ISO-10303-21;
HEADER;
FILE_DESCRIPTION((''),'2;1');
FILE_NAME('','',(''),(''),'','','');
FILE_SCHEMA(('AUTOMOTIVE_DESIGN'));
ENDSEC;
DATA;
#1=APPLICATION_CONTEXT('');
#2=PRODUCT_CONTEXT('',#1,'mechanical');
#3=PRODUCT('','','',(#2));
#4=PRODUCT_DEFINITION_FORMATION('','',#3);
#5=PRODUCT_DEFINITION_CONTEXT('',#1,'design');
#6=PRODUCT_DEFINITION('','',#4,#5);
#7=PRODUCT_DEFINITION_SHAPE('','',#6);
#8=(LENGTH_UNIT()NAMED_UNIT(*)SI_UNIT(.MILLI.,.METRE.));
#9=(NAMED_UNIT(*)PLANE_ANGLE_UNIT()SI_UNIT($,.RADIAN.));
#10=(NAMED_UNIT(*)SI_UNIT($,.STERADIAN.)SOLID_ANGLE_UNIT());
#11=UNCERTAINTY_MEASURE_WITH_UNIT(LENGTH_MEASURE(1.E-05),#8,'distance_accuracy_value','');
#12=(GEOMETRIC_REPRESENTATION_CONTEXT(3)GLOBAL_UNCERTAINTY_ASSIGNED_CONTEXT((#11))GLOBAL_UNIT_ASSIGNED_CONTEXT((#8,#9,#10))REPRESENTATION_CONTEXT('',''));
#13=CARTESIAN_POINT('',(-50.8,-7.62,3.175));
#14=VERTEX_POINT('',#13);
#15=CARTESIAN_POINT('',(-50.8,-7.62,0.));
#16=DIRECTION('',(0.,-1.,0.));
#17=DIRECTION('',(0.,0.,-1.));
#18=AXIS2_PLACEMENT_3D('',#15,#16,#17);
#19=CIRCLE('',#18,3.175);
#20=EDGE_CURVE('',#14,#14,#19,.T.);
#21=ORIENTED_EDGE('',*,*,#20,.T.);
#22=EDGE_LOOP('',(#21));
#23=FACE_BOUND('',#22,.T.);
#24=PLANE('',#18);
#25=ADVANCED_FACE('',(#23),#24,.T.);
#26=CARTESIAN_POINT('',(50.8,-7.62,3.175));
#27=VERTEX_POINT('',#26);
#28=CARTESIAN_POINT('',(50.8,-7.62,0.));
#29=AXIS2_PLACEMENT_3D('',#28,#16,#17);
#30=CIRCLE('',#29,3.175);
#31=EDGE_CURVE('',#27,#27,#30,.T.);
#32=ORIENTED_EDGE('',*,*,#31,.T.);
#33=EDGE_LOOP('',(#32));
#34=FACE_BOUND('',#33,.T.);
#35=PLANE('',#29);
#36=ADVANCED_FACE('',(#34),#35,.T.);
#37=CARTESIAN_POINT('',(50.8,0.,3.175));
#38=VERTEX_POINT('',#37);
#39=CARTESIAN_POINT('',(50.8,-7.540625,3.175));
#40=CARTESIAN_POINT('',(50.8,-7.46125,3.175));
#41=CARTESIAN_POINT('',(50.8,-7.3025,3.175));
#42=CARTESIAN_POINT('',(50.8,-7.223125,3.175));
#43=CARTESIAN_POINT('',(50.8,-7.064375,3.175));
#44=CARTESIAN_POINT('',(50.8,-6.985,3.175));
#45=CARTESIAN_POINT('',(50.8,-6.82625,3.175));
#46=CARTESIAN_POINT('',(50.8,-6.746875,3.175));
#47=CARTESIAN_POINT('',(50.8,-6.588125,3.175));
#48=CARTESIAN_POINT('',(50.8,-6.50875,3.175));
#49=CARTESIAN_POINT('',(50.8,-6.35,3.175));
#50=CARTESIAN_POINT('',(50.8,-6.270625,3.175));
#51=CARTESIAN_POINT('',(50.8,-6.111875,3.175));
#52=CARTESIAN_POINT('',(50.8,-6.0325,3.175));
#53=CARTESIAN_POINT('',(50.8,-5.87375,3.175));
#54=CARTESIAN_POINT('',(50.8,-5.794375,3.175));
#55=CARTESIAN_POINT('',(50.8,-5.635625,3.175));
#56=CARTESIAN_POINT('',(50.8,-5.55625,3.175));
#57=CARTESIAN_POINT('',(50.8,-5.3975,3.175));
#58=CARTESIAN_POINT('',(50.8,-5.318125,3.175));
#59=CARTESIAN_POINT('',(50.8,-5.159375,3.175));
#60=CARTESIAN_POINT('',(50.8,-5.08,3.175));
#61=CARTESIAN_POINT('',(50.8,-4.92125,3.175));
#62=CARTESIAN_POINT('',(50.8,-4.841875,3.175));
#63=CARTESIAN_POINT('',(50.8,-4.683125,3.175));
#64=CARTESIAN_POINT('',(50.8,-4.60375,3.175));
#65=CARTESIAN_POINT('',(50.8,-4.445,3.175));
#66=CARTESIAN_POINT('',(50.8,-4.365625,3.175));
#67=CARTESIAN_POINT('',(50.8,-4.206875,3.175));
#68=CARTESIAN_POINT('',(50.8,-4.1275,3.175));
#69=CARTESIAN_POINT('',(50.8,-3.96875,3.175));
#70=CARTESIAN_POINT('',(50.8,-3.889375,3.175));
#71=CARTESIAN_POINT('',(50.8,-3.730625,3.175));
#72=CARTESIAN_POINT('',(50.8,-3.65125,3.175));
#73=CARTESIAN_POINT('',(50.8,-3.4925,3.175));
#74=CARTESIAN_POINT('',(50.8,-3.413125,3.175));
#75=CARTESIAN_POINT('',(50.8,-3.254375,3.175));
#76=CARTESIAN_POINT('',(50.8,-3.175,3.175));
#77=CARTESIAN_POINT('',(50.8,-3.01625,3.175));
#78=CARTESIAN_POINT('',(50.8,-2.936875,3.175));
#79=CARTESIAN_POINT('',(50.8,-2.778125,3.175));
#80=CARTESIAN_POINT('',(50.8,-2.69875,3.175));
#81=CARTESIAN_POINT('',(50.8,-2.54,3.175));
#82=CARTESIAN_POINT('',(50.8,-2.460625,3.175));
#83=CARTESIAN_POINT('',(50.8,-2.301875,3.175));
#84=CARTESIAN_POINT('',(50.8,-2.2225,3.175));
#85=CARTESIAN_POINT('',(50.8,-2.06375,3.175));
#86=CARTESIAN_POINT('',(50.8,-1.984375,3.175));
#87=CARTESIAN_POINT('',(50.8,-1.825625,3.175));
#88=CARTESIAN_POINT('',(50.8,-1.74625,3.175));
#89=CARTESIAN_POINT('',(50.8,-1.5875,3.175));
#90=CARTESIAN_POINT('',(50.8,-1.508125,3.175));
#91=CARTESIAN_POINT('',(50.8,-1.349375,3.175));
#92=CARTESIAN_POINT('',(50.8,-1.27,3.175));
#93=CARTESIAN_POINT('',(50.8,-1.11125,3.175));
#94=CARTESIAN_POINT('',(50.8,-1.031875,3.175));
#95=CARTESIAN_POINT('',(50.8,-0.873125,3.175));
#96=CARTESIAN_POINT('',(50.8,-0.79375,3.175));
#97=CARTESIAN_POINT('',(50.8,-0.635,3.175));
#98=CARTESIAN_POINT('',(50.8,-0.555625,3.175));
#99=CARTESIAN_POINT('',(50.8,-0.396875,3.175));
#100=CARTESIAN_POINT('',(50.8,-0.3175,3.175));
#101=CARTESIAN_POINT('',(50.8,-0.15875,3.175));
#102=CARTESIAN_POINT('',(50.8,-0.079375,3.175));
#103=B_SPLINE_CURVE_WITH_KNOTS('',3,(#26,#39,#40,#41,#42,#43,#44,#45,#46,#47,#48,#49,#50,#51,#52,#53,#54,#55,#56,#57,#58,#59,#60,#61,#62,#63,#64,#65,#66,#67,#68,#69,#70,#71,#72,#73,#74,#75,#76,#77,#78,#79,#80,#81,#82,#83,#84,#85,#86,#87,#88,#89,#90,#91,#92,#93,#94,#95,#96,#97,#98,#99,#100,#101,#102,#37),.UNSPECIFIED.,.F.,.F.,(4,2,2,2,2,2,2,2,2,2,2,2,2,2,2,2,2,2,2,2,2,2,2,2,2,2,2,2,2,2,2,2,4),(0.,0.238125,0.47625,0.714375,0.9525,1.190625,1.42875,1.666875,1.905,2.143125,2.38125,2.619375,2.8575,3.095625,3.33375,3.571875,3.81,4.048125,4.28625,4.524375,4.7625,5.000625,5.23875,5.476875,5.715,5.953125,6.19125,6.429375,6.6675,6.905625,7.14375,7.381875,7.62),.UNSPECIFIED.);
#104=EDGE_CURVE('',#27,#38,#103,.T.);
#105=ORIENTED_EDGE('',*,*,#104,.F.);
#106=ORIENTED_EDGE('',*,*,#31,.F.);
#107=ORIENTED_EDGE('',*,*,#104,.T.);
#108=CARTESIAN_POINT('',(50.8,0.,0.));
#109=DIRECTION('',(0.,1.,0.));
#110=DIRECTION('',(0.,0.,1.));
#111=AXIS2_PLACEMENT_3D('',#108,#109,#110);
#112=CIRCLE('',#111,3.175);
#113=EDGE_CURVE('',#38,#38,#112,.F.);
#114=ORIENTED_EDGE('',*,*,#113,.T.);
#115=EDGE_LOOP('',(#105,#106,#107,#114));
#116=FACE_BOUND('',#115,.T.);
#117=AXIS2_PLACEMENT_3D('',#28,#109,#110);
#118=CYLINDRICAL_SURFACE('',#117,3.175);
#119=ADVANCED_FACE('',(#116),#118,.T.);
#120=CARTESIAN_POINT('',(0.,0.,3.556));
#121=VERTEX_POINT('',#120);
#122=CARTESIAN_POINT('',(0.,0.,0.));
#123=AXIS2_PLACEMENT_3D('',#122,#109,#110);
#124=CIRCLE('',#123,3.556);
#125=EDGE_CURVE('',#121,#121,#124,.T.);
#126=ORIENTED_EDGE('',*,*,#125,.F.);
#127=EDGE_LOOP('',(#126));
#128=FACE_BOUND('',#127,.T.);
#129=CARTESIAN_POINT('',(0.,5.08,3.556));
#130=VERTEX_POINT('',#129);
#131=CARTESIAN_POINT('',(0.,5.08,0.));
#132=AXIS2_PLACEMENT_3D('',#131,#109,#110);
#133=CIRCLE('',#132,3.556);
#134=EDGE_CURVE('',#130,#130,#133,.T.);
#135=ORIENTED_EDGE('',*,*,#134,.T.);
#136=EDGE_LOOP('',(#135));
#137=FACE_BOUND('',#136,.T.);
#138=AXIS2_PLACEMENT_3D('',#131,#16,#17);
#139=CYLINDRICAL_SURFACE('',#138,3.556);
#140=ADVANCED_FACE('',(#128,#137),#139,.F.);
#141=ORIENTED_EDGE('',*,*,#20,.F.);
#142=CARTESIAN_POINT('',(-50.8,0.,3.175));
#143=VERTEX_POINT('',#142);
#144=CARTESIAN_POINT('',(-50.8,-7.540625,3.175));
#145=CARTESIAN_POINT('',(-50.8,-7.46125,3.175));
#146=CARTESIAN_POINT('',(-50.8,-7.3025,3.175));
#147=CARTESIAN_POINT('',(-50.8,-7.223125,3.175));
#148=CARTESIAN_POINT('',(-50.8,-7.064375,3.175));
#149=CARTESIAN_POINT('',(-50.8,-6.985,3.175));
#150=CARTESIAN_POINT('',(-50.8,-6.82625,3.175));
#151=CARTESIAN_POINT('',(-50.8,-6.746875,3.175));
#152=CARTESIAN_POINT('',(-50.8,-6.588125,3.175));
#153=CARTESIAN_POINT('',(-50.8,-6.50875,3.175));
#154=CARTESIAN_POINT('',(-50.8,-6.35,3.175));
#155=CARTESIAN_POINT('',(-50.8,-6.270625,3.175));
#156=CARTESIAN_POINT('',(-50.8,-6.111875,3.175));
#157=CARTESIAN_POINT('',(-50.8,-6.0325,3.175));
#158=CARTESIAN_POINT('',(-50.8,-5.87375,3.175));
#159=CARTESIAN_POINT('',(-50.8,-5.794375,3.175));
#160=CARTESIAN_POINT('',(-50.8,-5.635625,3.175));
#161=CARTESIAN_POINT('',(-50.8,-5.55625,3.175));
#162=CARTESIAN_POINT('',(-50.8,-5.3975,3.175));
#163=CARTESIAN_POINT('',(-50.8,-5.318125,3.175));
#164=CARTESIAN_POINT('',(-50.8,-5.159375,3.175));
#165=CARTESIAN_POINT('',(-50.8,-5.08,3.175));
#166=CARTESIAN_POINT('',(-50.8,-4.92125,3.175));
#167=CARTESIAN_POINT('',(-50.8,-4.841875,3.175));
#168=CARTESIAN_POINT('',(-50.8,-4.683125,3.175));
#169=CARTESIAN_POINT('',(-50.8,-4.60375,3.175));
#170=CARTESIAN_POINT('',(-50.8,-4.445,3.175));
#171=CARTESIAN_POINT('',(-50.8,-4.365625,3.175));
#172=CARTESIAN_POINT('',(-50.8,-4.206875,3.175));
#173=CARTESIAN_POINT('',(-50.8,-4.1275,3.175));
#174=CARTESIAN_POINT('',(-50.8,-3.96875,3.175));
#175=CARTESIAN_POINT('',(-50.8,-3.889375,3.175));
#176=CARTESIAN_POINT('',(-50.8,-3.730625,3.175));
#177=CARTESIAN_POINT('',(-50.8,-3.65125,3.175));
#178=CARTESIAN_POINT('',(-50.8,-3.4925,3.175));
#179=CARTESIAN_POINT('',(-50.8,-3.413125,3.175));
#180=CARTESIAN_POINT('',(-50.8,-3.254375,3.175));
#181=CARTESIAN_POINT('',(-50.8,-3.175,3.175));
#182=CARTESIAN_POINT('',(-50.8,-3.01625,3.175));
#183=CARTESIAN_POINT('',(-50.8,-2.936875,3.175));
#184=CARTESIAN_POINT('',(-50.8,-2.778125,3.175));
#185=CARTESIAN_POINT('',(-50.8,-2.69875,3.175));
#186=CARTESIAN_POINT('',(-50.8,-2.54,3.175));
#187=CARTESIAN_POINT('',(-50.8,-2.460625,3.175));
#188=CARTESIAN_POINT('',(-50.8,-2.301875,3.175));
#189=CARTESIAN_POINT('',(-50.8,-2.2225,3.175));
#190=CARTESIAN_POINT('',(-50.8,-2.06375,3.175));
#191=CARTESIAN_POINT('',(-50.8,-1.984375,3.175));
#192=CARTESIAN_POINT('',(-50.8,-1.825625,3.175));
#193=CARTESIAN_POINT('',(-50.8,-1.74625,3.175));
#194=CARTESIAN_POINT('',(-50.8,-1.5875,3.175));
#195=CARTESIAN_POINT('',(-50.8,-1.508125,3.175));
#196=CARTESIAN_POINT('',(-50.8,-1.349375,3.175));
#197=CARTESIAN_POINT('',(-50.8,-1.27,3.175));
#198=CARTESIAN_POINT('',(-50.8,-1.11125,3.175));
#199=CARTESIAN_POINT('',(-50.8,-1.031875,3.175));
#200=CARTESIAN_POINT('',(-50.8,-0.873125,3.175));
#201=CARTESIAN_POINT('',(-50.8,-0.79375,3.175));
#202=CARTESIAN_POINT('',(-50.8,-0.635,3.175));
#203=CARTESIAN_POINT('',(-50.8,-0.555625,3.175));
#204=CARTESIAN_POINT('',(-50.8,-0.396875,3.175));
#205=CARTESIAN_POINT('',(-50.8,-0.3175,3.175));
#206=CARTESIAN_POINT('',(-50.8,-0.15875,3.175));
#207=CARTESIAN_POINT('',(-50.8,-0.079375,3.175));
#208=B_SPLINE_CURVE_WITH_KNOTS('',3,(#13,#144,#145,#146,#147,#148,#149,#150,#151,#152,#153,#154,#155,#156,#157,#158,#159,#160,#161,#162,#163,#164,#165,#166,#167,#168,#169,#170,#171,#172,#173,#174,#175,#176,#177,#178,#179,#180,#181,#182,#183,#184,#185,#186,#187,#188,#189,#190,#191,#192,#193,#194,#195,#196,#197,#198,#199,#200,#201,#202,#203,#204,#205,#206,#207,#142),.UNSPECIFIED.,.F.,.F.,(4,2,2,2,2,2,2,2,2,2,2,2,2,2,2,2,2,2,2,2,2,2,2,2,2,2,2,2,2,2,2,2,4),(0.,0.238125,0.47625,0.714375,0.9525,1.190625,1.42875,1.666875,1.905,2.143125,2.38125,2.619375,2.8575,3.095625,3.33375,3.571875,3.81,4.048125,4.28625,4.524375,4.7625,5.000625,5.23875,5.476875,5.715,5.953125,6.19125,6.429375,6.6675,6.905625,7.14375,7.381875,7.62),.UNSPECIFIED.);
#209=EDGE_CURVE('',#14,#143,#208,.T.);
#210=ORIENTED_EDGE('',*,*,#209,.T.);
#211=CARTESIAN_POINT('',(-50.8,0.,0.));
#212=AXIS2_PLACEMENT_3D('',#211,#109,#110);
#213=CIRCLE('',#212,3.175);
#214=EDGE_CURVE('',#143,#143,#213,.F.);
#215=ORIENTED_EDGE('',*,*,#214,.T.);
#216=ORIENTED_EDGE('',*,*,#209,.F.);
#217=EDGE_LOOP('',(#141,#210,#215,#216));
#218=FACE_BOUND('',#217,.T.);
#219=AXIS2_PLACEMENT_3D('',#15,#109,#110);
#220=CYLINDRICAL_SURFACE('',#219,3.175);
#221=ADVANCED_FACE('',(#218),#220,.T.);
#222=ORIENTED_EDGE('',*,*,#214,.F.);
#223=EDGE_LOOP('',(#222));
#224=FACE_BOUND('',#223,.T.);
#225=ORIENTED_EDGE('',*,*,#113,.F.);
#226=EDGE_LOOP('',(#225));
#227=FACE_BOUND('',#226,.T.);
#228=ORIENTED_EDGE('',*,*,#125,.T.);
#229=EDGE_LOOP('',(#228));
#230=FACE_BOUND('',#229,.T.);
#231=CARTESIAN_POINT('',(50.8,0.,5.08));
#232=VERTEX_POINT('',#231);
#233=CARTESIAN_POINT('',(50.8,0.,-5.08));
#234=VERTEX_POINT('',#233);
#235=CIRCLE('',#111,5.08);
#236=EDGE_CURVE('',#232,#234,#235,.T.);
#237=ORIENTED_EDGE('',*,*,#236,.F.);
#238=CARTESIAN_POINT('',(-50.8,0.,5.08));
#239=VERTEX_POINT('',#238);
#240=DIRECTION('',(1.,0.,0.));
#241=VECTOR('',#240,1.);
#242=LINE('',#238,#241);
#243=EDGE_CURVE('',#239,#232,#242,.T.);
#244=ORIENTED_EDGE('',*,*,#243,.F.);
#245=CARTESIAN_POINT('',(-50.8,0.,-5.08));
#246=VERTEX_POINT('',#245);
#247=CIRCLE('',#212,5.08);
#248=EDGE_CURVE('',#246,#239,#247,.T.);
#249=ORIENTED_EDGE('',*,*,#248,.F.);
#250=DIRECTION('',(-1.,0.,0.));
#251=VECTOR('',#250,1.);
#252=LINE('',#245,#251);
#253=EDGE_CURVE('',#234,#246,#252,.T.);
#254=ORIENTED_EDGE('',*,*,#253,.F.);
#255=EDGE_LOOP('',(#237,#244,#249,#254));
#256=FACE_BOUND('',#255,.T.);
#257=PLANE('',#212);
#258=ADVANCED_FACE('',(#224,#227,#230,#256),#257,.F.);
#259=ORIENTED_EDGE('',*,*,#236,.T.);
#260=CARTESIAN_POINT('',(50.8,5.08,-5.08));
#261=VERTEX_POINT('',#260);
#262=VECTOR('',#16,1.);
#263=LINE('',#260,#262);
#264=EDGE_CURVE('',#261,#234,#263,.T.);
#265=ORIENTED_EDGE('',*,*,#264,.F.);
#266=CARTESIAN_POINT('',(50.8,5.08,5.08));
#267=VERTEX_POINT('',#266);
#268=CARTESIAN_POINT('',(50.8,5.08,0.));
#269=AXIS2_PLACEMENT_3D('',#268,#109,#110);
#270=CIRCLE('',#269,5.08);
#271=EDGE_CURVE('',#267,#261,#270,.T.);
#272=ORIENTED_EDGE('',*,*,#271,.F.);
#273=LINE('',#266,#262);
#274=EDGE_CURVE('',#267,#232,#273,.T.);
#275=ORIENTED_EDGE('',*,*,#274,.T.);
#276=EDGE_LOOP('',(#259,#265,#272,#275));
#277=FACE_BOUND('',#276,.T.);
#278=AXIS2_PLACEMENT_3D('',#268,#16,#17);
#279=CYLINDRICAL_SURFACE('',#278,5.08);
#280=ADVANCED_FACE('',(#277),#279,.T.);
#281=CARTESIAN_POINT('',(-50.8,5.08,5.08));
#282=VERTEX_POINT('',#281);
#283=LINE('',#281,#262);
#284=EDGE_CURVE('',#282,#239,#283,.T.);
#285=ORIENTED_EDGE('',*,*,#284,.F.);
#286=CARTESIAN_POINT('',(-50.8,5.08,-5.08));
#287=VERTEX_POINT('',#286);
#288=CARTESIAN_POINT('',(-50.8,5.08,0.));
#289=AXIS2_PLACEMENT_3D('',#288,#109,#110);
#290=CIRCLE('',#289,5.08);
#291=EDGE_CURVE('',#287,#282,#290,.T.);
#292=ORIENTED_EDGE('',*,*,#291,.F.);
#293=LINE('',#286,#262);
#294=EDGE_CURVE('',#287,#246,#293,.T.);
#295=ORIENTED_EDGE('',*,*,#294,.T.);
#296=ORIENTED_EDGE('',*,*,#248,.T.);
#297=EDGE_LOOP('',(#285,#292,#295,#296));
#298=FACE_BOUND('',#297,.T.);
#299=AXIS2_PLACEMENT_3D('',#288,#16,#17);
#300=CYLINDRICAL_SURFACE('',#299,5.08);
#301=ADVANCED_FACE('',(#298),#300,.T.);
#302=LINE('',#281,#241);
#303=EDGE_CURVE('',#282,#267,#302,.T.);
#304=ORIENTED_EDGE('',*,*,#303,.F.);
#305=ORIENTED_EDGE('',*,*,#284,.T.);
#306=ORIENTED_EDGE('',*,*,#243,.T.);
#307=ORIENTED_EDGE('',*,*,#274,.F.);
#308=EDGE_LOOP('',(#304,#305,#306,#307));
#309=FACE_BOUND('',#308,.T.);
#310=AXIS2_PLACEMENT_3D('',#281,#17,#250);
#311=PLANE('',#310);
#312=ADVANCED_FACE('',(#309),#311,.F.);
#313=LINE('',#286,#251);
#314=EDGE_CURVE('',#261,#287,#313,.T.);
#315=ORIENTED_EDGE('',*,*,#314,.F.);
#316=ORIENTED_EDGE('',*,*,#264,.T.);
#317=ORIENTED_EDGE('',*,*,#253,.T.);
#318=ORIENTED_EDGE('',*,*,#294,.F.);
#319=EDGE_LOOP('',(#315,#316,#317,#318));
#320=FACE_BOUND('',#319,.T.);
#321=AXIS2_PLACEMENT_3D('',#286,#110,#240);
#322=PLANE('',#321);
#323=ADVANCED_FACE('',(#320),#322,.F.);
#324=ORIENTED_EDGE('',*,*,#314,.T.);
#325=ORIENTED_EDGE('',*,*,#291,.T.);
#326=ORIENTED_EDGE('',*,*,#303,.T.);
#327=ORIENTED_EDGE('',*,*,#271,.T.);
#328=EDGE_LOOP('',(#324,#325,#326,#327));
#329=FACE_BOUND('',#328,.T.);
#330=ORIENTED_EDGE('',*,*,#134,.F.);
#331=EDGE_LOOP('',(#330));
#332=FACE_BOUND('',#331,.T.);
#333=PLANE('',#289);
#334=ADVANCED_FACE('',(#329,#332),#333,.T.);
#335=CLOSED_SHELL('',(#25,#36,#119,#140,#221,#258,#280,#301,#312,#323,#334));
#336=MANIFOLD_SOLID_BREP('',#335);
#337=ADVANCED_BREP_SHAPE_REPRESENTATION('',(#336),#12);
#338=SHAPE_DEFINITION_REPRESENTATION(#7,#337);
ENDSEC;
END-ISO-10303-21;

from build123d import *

# Parameters (mm, degrees)
BOSS_EXTRUDE1_DEPTH = 5.08
SKETCH3_R           = 3.175
BOSS_EXTRUDE2_DEPTH = 7.62
SKETCH7_R           = 3.556
CUT_EXTRUDE1_DEPTH  = 5.08


with BuildPart() as part:
    # Sketch2 → Boss-Extrude1 (new body)
    with BuildSketch(Plane(origin=(0, 0, 0), x_dir=(1, 0, 0), z_dir=(0, 1, 0))):
        with BuildLine():
            Line((-50.8, -5.08), (50.8, -5.08))
            ThreePointArc((50.8, -5.08), (55.88, 0), (50.8, 5.08))
            Line((50.8, 5.08), (-50.8, 5.08))
            ThreePointArc((-50.8, 5.08), (-55.88, 0), (-50.8, -5.08))
        make_face()
    extrude(amount=BOSS_EXTRUDE1_DEPTH)

    # Sketch3 → Boss-Extrude2 (add)
    with BuildSketch(Plane.XZ):
        with Locations(Location((-50.8, 0, 0), (0, 0, 90))):
            Circle(SKETCH3_R)
        with Locations(Location((50.8, 0, 0), (0, 0, 90))):
            Circle(SKETCH3_R)
    extrude(amount=BOSS_EXTRUDE2_DEPTH)

    # Sketch7 → Cut-Extrude1 (cut)
    with BuildSketch(Plane(origin=(0, 0, 0), x_dir=(1, 0, 0), z_dir=(0, 1, 0))):
        with Locations(Location((0, 0, 0), (0, 0, 270))):
            Circle(SKETCH7_R)
    extrude(amount=CUT_EXTRUDE1_DEPTH, mode=Mode.SUBTRACT)


solid = part.part
